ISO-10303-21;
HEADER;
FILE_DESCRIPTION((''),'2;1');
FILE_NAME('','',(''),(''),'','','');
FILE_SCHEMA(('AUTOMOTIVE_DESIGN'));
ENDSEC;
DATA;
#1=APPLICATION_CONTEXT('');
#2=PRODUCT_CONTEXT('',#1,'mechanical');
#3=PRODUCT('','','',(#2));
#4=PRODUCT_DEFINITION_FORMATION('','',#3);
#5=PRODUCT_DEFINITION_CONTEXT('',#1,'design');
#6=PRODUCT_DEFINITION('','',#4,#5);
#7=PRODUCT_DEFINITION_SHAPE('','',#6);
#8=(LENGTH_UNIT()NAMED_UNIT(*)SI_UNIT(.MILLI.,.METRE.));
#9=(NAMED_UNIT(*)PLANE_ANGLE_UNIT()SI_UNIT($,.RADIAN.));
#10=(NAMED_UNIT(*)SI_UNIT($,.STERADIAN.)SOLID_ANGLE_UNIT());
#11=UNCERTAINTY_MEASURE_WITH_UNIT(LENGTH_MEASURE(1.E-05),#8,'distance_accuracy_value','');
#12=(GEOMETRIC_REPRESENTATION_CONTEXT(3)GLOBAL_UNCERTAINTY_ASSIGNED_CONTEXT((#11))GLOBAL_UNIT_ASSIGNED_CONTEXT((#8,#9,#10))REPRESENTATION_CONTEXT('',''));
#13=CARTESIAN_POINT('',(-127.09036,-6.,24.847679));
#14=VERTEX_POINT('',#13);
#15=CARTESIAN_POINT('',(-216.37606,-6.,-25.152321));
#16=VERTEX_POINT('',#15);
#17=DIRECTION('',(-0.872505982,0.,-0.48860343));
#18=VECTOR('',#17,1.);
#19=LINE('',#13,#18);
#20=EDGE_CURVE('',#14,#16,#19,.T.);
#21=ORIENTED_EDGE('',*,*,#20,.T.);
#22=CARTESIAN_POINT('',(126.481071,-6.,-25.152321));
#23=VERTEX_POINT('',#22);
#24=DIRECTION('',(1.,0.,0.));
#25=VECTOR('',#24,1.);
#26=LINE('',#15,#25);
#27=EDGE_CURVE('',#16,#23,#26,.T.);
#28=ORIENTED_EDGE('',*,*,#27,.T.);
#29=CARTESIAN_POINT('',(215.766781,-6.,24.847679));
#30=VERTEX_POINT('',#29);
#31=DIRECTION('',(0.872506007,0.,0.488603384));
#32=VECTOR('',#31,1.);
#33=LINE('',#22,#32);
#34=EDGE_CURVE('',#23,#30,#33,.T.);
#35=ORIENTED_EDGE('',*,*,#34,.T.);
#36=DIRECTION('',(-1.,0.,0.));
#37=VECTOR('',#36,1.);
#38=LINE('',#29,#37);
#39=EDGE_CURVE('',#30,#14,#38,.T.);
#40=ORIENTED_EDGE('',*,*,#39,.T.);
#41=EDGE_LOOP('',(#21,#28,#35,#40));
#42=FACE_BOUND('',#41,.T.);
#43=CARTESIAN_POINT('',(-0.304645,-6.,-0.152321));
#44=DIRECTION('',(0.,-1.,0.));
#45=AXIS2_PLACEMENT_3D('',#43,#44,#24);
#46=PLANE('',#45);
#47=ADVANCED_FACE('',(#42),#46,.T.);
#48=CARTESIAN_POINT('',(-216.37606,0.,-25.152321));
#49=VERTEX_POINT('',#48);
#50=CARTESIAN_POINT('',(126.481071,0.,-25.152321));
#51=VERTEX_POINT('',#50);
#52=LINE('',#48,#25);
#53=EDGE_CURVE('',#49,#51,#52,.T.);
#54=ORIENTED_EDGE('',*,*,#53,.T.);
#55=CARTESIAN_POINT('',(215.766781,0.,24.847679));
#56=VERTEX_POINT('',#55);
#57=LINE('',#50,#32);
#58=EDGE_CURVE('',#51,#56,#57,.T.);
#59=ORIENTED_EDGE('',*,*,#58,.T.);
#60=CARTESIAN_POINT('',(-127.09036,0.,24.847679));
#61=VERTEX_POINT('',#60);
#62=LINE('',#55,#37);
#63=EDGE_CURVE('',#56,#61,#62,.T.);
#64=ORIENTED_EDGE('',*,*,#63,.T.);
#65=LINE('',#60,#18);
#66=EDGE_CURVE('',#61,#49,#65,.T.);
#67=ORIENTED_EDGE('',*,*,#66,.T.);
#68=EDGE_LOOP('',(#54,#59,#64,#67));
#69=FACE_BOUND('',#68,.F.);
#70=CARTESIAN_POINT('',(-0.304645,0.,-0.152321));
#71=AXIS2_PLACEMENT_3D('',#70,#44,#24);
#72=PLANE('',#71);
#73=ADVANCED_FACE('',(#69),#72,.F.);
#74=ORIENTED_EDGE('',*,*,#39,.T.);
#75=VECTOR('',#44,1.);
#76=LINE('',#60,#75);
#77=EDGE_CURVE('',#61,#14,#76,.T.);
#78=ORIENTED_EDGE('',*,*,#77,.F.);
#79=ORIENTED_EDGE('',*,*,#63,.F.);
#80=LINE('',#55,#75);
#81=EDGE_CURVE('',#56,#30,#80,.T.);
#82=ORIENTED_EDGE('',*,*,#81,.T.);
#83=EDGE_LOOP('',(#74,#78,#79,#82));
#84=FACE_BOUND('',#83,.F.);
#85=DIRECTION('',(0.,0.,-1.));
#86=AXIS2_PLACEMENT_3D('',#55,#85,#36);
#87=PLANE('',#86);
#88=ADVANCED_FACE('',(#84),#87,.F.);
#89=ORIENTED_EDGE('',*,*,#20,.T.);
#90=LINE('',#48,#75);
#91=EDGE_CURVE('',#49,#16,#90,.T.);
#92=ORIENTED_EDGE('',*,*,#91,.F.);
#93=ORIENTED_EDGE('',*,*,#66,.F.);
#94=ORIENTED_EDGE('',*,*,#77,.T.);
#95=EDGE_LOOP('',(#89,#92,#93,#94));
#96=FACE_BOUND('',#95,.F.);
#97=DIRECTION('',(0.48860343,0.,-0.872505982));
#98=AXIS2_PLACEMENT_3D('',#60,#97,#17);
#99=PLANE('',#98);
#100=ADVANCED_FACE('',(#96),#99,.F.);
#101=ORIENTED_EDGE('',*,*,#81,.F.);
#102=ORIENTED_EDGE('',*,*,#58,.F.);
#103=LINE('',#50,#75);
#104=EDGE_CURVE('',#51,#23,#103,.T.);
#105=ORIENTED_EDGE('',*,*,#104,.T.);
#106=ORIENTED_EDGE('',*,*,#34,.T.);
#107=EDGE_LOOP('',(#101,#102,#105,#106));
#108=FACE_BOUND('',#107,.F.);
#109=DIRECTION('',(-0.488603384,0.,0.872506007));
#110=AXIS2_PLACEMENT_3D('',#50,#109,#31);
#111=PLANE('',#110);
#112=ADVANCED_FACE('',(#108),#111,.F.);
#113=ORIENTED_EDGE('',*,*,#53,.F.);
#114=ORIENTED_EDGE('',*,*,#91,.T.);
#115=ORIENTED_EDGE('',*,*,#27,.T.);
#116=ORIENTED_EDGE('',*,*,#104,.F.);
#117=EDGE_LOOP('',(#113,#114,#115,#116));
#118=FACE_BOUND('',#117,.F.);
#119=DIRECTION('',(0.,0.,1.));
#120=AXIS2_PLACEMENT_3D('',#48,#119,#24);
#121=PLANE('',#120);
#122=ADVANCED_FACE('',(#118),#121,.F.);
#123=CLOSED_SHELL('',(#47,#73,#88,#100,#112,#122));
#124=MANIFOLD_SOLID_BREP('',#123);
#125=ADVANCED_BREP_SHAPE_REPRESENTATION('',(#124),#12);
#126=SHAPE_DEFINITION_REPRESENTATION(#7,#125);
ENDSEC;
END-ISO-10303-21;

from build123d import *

# Parameters (mm, degrees)
F0_W     = 253.5714307161
F0_H     = 50
F1_DEPTH = 6


with BuildPart() as f1:
    # F0 (on Front) → F1 (new body)
    with BuildSketch(Plane.XZ):
        with Locations((-0.3046447986, -0.1523210667)):
            Rectangle(F0_W, F0_H)
        Polygon((-127.0903601566, -25.1523210667), (-127.0903601566, 24.8476789333), (-216.3760598197, -25.1523210667), align=None)
        Polygon((215.7667811408, 24.8476789333), (126.4810705595, 24.8476789333), (126.4810705595, -25.1523210667), align=None)
    extrude(amount=F1_DEPTH)


solid = f1.part
